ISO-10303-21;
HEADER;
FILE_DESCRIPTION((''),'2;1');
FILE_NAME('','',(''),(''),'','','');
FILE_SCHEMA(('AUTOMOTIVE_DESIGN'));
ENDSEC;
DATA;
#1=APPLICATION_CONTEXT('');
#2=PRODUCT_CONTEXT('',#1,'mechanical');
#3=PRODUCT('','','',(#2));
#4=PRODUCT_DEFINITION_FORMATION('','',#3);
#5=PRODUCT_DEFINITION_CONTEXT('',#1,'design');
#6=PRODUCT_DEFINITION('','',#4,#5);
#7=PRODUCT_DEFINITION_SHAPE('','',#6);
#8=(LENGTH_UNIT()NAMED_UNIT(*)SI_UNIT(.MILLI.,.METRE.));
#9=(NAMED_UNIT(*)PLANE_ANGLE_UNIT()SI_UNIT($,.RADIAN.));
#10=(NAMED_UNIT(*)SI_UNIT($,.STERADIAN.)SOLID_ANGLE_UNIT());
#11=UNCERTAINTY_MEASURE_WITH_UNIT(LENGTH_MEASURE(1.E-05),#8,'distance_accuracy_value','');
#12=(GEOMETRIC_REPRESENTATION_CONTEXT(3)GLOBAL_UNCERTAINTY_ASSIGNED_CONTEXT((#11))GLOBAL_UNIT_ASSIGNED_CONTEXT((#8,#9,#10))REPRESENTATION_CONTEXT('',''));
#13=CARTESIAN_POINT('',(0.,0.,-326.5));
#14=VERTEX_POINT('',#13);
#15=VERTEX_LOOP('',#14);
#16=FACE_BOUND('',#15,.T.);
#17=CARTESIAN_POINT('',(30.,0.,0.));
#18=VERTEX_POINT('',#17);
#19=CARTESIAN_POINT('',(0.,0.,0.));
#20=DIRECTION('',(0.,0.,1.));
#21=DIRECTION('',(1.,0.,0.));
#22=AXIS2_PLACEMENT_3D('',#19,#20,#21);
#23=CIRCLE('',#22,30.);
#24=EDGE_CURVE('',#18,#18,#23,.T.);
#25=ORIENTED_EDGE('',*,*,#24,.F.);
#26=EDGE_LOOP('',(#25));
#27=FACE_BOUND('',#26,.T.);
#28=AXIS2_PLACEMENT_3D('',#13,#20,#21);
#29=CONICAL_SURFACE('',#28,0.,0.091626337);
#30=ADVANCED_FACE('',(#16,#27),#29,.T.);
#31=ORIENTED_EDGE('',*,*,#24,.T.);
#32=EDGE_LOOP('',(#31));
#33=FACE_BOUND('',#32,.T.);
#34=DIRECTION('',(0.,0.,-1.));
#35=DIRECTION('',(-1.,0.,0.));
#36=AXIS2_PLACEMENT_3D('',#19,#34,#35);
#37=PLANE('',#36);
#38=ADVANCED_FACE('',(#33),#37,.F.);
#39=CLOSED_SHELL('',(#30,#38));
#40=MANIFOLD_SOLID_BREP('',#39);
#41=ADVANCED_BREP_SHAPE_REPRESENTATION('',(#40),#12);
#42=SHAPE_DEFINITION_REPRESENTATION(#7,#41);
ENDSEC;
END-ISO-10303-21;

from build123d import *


with BuildPart() as part:
    # Sketch1 → Revolve1 (revolve)
    with BuildSketch(Plane(origin=(0, 0, 0), x_dir=(1, 0, 0), z_dir=(0, 1, 0))):
        Polygon((0, 0), (-30, 0), (0, 326.5), align=None)
    revolve(axis=Axis((0, 0, 33.992998997), (0, 0, -1)))


solid = part.part
